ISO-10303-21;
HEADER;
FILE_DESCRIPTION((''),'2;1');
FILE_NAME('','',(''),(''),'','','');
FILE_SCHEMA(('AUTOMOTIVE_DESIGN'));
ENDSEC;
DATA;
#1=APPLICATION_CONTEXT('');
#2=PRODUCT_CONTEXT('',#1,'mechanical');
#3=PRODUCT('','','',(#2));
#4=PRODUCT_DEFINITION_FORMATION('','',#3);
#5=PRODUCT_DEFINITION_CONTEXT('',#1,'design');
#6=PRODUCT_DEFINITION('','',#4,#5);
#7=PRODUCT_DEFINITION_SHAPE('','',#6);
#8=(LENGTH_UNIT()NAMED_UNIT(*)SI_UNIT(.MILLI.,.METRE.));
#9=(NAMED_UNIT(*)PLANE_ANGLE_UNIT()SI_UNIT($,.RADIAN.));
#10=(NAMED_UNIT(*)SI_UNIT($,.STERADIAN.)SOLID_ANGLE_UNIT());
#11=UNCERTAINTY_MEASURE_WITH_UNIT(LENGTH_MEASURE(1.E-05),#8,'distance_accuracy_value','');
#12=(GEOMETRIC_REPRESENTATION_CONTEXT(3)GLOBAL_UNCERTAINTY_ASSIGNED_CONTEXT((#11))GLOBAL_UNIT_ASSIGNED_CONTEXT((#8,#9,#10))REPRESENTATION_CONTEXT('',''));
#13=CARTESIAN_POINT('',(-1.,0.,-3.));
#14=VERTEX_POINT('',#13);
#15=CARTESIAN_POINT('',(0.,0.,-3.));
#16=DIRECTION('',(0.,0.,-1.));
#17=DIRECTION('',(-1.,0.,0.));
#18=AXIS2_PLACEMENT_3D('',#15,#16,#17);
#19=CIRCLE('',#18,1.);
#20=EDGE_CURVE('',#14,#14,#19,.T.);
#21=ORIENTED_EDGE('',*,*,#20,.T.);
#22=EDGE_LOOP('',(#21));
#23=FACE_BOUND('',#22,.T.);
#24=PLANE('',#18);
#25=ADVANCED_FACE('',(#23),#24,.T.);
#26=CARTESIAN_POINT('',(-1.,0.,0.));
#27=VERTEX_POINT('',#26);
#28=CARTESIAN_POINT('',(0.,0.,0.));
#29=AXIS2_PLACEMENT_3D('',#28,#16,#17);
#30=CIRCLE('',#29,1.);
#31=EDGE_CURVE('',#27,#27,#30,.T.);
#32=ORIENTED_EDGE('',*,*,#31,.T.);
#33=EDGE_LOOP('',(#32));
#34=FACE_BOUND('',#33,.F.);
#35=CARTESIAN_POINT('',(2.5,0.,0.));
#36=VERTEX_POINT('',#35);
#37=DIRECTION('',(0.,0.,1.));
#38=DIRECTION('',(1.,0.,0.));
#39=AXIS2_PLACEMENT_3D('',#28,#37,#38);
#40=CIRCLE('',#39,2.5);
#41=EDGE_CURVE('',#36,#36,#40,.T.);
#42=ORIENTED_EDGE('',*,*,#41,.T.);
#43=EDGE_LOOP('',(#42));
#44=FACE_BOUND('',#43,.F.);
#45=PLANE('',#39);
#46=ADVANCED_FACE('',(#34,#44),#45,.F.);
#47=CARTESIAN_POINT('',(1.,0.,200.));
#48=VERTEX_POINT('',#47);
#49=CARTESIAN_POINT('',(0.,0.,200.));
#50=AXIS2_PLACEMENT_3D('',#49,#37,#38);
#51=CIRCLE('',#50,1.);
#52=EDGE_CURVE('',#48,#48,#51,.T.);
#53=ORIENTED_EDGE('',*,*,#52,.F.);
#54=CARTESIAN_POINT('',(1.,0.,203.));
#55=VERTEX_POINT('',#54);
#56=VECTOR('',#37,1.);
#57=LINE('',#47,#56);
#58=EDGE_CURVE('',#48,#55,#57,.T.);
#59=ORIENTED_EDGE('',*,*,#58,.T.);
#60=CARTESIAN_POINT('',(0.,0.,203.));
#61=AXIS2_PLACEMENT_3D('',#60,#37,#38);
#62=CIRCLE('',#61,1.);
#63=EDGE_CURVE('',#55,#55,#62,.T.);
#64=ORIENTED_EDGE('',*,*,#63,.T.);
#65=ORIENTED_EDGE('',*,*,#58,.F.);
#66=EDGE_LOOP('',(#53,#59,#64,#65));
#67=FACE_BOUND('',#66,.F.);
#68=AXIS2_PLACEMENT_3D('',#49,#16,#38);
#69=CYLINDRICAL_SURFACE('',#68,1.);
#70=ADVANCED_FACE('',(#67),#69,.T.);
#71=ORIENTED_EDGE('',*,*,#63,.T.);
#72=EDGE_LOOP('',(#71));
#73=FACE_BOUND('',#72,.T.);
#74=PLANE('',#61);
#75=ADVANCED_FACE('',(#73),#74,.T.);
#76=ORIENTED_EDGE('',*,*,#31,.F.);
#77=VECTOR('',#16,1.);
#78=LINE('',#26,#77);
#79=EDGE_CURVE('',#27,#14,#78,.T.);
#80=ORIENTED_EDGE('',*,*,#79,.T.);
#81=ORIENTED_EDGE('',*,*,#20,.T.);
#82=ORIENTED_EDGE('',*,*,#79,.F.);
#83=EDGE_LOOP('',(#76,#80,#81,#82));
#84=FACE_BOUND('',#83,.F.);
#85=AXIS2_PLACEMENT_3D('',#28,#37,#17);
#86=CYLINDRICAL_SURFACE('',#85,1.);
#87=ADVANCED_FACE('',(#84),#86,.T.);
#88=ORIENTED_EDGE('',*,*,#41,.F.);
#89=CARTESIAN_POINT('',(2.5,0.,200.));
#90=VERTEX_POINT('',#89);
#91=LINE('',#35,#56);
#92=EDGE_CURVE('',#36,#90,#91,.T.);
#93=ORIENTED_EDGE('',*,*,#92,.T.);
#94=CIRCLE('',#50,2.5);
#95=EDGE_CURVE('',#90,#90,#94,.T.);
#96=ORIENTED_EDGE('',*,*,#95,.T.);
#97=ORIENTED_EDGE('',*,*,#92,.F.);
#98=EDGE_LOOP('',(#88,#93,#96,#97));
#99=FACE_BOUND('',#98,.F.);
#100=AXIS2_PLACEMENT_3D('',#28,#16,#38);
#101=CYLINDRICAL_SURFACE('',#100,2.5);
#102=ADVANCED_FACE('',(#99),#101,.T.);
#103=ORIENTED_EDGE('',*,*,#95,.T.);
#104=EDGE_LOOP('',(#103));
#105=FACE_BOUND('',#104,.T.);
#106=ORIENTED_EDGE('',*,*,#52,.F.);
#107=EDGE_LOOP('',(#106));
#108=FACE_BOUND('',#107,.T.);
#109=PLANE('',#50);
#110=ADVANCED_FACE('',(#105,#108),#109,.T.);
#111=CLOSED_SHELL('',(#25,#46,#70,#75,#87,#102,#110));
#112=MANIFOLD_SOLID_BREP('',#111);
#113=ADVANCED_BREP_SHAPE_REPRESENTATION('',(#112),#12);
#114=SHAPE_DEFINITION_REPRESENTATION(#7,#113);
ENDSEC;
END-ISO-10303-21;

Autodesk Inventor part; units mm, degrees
ref_plane "YZ Plane" through (0, 0, 0) normal (1, 0, 0) x (0, 1, 0)
ref_plane "XZ Plane" through (0, 0, 0) normal (0, 1, 0) x (-1, 0, 0)
ref_plane "XY Plane" through (0, 0, 0) normal (0, 0, 1) x (1, 0, 0)
sketch "Sketch1" plane through (0, 0, 0) normal (0, 0, 1) x (1, 0, 0)
  circle A0 centre (0, 0) radius 2.5
  dimension "d0" = 5
extrude "Extrusion1" add sketch "Sketch1" along normal blind 200
sketch "Sketch2" plane through (0, 0, 200) normal (0, 0, 1) x (1, 0, 0)
  circle A0 centre (0, 0) radius 2.5 projected
  circle A1 centre (0, 0) radius 1
  dimension "d3" = 2
extrude "Extrusion2" add sketch "Sketch2" along normal blind 3 contours A1
sketch "Sketch3" plane through (0, 0, 0) normal (0, 0, -1) x (-1, 0, 0)
  circle A0 centre (0, 0) radius 1
  dimension "d6" = 2
extrude "Extrusion3" add sketch "Sketch3" along normal blind 3
properties part number "Bone-20cm"
